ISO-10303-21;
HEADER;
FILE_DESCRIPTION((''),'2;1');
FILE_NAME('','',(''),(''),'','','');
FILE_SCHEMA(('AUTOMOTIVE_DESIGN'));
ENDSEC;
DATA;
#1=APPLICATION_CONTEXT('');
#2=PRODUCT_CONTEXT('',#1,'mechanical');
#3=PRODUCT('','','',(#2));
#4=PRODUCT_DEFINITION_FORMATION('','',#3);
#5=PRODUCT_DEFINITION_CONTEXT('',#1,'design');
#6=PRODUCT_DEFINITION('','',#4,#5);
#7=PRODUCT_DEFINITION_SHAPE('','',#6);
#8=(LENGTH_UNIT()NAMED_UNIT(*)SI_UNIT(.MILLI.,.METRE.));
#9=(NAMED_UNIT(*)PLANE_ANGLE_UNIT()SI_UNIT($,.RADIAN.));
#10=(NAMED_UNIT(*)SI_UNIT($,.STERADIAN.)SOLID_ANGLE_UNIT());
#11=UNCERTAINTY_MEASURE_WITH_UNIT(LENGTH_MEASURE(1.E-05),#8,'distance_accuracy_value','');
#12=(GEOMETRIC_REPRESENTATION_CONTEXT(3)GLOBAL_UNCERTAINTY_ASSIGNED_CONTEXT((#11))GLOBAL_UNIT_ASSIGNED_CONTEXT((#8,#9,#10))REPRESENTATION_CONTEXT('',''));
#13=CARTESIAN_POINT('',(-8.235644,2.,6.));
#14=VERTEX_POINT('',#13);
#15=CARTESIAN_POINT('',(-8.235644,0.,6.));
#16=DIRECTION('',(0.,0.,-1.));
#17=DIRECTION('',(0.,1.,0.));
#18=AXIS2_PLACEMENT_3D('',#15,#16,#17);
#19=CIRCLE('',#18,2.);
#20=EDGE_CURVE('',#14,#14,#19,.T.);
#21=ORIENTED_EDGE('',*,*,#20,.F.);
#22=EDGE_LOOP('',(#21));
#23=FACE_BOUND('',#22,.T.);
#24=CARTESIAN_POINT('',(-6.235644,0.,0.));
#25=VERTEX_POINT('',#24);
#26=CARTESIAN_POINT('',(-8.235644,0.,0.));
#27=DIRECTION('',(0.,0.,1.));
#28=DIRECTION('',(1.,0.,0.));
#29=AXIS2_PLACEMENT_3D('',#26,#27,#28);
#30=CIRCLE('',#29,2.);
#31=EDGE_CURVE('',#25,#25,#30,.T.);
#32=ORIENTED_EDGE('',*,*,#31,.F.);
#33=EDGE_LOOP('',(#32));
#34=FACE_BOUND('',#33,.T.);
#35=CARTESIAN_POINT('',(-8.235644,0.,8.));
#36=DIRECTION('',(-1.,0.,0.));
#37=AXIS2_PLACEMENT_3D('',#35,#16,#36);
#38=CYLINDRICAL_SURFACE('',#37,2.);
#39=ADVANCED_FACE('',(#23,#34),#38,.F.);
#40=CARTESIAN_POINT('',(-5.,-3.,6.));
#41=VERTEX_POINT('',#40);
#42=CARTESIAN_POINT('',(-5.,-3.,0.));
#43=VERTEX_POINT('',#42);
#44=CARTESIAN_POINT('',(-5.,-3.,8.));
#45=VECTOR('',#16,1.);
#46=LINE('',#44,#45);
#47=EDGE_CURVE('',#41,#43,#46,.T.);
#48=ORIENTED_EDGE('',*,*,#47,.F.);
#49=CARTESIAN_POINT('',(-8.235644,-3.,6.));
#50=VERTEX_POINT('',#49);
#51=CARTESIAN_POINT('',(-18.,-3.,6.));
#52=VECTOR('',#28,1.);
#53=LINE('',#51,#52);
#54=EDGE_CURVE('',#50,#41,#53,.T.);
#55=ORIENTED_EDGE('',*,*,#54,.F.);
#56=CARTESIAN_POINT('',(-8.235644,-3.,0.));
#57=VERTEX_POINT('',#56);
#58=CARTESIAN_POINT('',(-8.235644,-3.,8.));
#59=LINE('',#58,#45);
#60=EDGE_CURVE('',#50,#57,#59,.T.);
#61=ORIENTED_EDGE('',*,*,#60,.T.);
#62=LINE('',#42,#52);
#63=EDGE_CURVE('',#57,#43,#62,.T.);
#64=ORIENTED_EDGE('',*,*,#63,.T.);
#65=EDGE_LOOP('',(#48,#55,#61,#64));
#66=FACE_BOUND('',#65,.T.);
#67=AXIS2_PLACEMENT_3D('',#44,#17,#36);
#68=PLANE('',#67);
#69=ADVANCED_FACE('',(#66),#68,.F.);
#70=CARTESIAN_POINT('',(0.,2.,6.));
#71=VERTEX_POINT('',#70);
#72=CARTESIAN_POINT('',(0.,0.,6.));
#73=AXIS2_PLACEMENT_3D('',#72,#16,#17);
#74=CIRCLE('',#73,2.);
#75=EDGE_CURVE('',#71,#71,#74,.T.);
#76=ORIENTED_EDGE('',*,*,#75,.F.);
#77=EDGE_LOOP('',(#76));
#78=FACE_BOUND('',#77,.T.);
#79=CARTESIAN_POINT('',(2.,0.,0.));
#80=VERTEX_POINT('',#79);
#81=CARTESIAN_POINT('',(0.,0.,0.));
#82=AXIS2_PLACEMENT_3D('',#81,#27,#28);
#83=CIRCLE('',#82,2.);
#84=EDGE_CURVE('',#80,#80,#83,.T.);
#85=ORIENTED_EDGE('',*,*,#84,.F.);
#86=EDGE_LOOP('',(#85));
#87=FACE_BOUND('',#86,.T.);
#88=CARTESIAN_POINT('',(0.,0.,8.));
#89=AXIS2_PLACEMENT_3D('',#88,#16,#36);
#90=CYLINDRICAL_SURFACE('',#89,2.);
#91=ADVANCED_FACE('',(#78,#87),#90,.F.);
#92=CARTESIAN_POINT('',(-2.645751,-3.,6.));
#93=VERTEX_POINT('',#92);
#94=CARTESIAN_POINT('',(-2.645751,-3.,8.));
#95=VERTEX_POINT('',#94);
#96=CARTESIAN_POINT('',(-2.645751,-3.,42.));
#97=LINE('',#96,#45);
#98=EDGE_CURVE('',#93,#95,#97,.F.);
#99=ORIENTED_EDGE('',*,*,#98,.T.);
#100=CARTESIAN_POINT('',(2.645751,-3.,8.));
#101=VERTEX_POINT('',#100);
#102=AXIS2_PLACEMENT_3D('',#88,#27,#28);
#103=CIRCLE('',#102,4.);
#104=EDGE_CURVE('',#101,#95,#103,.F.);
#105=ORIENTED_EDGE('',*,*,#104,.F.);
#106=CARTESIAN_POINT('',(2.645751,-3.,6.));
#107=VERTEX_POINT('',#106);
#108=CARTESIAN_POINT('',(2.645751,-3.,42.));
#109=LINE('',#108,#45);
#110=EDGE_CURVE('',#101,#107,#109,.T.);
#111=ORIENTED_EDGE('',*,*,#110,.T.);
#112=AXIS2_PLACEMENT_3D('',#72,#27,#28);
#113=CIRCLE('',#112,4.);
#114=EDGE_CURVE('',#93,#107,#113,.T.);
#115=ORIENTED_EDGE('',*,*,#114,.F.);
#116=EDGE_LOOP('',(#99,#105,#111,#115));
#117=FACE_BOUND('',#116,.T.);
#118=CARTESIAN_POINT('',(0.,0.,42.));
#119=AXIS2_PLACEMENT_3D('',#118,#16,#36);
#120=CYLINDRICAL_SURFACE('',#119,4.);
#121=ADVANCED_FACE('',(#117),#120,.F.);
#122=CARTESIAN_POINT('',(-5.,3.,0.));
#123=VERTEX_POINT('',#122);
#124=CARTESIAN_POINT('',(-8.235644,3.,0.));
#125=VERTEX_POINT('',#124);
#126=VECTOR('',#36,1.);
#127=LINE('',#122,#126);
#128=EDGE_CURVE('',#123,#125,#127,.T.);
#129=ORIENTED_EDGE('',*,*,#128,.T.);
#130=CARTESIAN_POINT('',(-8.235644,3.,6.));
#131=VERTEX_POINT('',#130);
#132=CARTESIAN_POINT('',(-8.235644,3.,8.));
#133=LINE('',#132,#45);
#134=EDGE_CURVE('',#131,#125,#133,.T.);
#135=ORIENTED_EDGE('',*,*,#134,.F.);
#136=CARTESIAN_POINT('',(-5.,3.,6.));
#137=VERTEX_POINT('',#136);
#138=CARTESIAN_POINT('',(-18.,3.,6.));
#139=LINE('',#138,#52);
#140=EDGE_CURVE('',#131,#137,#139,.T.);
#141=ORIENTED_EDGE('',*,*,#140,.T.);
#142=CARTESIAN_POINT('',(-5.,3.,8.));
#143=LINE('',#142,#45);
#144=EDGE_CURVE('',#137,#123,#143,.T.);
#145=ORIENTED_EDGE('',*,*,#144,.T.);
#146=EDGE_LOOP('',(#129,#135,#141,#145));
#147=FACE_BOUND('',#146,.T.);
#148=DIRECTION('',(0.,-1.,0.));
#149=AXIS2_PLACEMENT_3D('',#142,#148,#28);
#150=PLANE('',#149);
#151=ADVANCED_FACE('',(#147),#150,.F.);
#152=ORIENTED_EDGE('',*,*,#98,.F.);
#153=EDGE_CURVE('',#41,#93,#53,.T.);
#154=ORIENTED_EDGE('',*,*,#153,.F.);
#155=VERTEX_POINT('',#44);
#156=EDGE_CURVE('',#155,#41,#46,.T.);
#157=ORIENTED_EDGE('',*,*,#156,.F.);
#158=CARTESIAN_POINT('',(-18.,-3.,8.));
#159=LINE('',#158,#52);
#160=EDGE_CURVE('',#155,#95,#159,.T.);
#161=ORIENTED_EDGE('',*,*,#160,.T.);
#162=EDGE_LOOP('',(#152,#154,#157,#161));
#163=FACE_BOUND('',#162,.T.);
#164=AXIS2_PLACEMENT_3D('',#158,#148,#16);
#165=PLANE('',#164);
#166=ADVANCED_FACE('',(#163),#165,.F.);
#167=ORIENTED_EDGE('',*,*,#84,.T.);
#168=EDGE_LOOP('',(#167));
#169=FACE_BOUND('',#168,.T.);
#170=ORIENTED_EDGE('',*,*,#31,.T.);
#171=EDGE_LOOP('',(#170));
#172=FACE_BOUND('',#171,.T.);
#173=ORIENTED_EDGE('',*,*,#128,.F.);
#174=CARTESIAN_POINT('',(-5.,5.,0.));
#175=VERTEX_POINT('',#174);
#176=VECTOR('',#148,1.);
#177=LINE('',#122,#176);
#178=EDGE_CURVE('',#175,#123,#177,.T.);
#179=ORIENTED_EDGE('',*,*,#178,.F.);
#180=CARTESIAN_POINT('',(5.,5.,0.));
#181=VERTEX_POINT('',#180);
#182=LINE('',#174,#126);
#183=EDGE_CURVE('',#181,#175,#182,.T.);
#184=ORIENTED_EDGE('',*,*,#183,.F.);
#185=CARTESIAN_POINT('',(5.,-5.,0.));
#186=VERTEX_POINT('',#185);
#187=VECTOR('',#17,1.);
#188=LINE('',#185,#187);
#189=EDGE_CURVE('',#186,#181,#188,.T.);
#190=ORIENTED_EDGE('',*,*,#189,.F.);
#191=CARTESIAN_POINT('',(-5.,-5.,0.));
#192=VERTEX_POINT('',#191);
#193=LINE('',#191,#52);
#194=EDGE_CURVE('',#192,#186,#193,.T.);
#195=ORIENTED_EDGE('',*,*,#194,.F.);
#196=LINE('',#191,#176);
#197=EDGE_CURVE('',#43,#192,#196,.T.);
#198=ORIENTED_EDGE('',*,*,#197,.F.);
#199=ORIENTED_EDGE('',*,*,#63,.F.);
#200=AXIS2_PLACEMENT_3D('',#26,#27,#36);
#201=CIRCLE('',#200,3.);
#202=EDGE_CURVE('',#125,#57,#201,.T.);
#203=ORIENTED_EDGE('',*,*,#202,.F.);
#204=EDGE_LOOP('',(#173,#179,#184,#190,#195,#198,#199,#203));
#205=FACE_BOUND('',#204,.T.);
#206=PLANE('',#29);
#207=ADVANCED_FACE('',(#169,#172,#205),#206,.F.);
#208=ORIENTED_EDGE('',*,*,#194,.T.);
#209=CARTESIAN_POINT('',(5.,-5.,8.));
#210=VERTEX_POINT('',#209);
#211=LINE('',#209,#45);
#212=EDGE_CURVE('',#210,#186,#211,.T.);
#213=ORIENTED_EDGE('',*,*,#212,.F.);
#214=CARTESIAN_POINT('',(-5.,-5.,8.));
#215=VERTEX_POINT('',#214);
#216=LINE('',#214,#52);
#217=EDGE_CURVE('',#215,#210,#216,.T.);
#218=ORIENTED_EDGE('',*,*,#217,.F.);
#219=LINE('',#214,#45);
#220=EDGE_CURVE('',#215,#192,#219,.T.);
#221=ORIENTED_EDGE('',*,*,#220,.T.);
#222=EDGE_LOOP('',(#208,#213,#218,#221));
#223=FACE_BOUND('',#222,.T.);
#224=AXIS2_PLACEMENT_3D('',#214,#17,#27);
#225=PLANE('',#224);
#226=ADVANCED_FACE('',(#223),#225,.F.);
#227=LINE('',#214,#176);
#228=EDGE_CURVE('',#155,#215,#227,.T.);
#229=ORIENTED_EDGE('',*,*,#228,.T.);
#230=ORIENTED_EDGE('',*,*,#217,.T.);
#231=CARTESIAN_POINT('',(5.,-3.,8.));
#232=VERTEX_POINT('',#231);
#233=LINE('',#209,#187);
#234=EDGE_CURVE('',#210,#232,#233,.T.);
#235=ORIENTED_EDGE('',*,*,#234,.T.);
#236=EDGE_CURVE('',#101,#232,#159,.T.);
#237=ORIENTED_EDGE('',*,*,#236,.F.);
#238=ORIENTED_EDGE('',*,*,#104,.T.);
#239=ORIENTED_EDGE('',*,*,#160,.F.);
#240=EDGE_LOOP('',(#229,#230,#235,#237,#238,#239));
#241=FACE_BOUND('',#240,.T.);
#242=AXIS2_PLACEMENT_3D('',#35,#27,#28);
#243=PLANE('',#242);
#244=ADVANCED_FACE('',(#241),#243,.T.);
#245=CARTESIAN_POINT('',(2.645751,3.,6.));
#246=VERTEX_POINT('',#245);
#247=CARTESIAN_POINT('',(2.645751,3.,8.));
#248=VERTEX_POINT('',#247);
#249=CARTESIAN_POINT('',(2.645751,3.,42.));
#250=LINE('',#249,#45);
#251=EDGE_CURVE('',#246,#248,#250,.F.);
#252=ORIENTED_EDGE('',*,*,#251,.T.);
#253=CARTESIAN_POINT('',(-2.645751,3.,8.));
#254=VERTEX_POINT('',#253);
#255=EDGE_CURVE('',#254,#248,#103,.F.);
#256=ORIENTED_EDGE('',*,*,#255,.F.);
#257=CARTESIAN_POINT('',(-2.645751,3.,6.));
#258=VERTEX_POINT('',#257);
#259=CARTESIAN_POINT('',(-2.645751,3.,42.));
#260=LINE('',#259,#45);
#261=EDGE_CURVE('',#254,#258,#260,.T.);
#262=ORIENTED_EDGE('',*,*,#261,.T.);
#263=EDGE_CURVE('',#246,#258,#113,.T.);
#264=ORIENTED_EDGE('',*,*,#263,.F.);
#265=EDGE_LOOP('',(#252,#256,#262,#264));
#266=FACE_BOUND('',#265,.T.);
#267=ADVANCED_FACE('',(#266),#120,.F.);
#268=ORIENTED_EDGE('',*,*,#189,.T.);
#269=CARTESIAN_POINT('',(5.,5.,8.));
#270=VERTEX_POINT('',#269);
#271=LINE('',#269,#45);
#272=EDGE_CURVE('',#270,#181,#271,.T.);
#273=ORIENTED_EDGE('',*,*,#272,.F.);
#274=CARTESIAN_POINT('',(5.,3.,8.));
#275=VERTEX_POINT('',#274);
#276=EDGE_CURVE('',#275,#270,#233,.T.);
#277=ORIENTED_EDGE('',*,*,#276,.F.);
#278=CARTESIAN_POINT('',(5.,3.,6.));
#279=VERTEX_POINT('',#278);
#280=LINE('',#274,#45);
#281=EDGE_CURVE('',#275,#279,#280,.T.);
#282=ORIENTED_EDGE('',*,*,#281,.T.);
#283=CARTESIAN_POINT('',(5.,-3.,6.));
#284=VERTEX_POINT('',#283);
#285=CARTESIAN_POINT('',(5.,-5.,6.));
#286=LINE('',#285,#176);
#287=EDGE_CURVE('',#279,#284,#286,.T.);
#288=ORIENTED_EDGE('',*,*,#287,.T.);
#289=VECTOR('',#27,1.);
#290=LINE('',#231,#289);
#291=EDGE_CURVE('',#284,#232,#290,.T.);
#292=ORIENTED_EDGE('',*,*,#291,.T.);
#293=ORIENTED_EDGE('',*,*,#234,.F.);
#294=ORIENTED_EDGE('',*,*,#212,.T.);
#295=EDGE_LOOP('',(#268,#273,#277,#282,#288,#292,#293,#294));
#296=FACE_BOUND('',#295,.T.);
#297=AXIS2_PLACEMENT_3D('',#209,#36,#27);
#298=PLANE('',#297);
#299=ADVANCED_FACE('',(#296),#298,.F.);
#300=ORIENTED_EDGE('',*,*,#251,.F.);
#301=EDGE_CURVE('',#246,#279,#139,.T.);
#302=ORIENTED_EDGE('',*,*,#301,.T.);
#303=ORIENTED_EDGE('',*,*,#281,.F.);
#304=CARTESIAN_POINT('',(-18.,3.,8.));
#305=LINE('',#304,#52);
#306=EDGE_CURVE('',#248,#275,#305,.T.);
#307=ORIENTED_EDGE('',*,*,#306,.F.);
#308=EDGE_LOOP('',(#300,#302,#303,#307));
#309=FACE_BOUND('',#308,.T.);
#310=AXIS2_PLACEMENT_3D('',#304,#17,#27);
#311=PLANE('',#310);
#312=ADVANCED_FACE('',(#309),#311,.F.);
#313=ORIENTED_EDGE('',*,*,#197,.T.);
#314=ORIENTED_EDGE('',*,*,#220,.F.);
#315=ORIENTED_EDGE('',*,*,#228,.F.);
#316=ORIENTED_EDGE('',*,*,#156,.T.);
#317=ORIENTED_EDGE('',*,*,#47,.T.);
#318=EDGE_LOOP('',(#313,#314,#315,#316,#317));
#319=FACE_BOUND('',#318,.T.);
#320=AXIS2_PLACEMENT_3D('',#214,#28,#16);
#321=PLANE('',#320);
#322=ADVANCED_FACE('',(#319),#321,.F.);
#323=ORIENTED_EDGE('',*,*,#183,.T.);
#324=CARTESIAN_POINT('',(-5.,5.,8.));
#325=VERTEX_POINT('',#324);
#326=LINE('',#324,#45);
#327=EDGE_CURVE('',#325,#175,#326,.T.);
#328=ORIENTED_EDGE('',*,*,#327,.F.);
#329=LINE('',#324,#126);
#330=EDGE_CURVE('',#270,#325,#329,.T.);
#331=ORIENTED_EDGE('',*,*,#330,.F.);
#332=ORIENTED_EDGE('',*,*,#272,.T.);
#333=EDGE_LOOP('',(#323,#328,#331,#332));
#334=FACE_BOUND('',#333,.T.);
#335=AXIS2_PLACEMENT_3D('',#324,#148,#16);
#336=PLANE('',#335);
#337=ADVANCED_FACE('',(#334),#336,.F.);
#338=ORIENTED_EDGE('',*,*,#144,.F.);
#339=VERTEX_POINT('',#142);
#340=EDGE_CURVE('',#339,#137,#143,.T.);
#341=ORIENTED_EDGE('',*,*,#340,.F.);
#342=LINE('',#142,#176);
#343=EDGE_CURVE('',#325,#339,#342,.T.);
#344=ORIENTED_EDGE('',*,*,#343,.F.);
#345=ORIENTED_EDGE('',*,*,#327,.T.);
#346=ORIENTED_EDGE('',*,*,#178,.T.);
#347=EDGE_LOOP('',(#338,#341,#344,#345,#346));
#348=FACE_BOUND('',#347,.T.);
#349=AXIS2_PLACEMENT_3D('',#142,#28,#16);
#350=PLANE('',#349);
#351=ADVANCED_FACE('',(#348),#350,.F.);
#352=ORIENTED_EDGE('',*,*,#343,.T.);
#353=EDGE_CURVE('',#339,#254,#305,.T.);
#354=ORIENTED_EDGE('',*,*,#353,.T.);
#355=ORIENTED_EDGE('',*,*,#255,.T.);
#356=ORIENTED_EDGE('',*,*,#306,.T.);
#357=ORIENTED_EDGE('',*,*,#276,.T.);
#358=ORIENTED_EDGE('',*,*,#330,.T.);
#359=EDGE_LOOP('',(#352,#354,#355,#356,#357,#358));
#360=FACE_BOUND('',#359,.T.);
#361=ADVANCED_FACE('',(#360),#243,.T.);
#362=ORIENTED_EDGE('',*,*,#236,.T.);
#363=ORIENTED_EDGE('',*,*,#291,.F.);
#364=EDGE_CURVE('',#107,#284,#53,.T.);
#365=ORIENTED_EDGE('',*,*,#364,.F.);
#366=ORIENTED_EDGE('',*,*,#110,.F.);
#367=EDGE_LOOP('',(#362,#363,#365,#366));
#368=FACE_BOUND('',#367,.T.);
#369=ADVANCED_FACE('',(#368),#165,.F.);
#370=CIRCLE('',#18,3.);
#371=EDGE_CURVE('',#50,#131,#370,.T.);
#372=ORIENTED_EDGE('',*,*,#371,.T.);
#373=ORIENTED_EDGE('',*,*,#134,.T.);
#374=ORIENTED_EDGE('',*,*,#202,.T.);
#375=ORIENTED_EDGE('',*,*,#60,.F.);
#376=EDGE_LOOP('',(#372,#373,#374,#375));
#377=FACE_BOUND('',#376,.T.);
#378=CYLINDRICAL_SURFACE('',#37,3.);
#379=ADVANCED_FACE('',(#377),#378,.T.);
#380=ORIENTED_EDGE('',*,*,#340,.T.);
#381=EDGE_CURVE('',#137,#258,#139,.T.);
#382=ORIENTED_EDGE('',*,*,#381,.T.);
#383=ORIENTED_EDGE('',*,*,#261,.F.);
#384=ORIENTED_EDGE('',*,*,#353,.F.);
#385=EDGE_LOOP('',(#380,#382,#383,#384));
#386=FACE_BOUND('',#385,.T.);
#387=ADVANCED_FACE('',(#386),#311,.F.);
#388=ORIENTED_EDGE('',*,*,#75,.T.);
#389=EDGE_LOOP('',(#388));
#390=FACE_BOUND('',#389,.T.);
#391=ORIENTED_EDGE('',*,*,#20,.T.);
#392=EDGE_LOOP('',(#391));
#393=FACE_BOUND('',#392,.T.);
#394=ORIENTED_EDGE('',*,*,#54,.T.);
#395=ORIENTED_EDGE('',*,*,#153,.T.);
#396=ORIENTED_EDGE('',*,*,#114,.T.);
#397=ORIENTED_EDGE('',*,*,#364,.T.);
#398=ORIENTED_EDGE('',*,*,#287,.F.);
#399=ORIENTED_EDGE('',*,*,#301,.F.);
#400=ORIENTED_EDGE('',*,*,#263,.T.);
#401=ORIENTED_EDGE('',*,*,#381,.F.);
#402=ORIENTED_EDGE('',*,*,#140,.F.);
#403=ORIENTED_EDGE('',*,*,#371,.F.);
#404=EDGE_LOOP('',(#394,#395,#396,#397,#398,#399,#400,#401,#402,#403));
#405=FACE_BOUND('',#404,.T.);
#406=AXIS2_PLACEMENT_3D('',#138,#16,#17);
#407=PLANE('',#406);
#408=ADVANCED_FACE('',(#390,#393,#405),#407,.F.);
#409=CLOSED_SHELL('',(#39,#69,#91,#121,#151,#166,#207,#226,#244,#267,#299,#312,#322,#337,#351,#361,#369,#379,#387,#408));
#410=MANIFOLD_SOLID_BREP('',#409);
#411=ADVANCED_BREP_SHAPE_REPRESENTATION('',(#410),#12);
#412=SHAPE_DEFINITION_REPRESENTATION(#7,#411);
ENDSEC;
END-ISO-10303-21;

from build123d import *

# Parameters (mm, degrees)
SKETCH1_R           = 2
BOSS_EXTRUDE1_DEPTH = 8
SKETCH2_W           = 2
SKETCH2_H           = 6
CUT_EXTRUDE1_DEPTH  = 18
SKETCH3_R           = 4
CUT_EXTRUDE2_DEPTH  = 36


with BuildPart() as part:
    # Sketch1 → Boss-Extrude1 (new body)
    with BuildSketch(Plane.XY):
        with BuildLine():
            Line((-5, 3), (-8.235644223, 3))
            ThreePointArc((-8.235644223, 3), (-10.359234513, 2.119047966), (-11.235637346, -0.006423812))
            ThreePointArc((-11.235637346, -0.006423812), (-10.354692189, -2.12359029), (-8.235644223, -3))
            Line((-8.235644223, -3), (-5, -3))
            Line((-5, -3), (-5, -5))
            Line((-5, -5), (5, -5))
            Line((5, -5), (5, 5))
            Line((5, 5), (-5, 5))
            Line((-5, 5), (-5, 3))
        make_face()
        with Locations((-8.235644223, 0)):
            Circle(SKETCH1_R, mode=Mode.SUBTRACT)
        Circle(SKETCH1_R, mode=Mode.SUBTRACT)
    extrude(amount=BOSS_EXTRUDE1_DEPTH)

    # Sketch2 → Cut-Extrude1 (cut, symmetric)
    with BuildSketch(Plane(origin=(0, 0, 0), x_dir=(0, 0, -1), z_dir=(1, 0, 0))):
        with Locations((-7, 0)):
            Rectangle(SKETCH2_W, SKETCH2_H)
    extrude(amount=CUT_EXTRUDE1_DEPTH, both=True, mode=Mode.SUBTRACT)

    # Sketch3 → Cut-Extrude2 (cut)
    with BuildSketch(Plane.XY.offset(6)):
        Circle(SKETCH3_R)
    extrude(amount=CUT_EXTRUDE2_DEPTH, mode=Mode.SUBTRACT)


solid = part.part
